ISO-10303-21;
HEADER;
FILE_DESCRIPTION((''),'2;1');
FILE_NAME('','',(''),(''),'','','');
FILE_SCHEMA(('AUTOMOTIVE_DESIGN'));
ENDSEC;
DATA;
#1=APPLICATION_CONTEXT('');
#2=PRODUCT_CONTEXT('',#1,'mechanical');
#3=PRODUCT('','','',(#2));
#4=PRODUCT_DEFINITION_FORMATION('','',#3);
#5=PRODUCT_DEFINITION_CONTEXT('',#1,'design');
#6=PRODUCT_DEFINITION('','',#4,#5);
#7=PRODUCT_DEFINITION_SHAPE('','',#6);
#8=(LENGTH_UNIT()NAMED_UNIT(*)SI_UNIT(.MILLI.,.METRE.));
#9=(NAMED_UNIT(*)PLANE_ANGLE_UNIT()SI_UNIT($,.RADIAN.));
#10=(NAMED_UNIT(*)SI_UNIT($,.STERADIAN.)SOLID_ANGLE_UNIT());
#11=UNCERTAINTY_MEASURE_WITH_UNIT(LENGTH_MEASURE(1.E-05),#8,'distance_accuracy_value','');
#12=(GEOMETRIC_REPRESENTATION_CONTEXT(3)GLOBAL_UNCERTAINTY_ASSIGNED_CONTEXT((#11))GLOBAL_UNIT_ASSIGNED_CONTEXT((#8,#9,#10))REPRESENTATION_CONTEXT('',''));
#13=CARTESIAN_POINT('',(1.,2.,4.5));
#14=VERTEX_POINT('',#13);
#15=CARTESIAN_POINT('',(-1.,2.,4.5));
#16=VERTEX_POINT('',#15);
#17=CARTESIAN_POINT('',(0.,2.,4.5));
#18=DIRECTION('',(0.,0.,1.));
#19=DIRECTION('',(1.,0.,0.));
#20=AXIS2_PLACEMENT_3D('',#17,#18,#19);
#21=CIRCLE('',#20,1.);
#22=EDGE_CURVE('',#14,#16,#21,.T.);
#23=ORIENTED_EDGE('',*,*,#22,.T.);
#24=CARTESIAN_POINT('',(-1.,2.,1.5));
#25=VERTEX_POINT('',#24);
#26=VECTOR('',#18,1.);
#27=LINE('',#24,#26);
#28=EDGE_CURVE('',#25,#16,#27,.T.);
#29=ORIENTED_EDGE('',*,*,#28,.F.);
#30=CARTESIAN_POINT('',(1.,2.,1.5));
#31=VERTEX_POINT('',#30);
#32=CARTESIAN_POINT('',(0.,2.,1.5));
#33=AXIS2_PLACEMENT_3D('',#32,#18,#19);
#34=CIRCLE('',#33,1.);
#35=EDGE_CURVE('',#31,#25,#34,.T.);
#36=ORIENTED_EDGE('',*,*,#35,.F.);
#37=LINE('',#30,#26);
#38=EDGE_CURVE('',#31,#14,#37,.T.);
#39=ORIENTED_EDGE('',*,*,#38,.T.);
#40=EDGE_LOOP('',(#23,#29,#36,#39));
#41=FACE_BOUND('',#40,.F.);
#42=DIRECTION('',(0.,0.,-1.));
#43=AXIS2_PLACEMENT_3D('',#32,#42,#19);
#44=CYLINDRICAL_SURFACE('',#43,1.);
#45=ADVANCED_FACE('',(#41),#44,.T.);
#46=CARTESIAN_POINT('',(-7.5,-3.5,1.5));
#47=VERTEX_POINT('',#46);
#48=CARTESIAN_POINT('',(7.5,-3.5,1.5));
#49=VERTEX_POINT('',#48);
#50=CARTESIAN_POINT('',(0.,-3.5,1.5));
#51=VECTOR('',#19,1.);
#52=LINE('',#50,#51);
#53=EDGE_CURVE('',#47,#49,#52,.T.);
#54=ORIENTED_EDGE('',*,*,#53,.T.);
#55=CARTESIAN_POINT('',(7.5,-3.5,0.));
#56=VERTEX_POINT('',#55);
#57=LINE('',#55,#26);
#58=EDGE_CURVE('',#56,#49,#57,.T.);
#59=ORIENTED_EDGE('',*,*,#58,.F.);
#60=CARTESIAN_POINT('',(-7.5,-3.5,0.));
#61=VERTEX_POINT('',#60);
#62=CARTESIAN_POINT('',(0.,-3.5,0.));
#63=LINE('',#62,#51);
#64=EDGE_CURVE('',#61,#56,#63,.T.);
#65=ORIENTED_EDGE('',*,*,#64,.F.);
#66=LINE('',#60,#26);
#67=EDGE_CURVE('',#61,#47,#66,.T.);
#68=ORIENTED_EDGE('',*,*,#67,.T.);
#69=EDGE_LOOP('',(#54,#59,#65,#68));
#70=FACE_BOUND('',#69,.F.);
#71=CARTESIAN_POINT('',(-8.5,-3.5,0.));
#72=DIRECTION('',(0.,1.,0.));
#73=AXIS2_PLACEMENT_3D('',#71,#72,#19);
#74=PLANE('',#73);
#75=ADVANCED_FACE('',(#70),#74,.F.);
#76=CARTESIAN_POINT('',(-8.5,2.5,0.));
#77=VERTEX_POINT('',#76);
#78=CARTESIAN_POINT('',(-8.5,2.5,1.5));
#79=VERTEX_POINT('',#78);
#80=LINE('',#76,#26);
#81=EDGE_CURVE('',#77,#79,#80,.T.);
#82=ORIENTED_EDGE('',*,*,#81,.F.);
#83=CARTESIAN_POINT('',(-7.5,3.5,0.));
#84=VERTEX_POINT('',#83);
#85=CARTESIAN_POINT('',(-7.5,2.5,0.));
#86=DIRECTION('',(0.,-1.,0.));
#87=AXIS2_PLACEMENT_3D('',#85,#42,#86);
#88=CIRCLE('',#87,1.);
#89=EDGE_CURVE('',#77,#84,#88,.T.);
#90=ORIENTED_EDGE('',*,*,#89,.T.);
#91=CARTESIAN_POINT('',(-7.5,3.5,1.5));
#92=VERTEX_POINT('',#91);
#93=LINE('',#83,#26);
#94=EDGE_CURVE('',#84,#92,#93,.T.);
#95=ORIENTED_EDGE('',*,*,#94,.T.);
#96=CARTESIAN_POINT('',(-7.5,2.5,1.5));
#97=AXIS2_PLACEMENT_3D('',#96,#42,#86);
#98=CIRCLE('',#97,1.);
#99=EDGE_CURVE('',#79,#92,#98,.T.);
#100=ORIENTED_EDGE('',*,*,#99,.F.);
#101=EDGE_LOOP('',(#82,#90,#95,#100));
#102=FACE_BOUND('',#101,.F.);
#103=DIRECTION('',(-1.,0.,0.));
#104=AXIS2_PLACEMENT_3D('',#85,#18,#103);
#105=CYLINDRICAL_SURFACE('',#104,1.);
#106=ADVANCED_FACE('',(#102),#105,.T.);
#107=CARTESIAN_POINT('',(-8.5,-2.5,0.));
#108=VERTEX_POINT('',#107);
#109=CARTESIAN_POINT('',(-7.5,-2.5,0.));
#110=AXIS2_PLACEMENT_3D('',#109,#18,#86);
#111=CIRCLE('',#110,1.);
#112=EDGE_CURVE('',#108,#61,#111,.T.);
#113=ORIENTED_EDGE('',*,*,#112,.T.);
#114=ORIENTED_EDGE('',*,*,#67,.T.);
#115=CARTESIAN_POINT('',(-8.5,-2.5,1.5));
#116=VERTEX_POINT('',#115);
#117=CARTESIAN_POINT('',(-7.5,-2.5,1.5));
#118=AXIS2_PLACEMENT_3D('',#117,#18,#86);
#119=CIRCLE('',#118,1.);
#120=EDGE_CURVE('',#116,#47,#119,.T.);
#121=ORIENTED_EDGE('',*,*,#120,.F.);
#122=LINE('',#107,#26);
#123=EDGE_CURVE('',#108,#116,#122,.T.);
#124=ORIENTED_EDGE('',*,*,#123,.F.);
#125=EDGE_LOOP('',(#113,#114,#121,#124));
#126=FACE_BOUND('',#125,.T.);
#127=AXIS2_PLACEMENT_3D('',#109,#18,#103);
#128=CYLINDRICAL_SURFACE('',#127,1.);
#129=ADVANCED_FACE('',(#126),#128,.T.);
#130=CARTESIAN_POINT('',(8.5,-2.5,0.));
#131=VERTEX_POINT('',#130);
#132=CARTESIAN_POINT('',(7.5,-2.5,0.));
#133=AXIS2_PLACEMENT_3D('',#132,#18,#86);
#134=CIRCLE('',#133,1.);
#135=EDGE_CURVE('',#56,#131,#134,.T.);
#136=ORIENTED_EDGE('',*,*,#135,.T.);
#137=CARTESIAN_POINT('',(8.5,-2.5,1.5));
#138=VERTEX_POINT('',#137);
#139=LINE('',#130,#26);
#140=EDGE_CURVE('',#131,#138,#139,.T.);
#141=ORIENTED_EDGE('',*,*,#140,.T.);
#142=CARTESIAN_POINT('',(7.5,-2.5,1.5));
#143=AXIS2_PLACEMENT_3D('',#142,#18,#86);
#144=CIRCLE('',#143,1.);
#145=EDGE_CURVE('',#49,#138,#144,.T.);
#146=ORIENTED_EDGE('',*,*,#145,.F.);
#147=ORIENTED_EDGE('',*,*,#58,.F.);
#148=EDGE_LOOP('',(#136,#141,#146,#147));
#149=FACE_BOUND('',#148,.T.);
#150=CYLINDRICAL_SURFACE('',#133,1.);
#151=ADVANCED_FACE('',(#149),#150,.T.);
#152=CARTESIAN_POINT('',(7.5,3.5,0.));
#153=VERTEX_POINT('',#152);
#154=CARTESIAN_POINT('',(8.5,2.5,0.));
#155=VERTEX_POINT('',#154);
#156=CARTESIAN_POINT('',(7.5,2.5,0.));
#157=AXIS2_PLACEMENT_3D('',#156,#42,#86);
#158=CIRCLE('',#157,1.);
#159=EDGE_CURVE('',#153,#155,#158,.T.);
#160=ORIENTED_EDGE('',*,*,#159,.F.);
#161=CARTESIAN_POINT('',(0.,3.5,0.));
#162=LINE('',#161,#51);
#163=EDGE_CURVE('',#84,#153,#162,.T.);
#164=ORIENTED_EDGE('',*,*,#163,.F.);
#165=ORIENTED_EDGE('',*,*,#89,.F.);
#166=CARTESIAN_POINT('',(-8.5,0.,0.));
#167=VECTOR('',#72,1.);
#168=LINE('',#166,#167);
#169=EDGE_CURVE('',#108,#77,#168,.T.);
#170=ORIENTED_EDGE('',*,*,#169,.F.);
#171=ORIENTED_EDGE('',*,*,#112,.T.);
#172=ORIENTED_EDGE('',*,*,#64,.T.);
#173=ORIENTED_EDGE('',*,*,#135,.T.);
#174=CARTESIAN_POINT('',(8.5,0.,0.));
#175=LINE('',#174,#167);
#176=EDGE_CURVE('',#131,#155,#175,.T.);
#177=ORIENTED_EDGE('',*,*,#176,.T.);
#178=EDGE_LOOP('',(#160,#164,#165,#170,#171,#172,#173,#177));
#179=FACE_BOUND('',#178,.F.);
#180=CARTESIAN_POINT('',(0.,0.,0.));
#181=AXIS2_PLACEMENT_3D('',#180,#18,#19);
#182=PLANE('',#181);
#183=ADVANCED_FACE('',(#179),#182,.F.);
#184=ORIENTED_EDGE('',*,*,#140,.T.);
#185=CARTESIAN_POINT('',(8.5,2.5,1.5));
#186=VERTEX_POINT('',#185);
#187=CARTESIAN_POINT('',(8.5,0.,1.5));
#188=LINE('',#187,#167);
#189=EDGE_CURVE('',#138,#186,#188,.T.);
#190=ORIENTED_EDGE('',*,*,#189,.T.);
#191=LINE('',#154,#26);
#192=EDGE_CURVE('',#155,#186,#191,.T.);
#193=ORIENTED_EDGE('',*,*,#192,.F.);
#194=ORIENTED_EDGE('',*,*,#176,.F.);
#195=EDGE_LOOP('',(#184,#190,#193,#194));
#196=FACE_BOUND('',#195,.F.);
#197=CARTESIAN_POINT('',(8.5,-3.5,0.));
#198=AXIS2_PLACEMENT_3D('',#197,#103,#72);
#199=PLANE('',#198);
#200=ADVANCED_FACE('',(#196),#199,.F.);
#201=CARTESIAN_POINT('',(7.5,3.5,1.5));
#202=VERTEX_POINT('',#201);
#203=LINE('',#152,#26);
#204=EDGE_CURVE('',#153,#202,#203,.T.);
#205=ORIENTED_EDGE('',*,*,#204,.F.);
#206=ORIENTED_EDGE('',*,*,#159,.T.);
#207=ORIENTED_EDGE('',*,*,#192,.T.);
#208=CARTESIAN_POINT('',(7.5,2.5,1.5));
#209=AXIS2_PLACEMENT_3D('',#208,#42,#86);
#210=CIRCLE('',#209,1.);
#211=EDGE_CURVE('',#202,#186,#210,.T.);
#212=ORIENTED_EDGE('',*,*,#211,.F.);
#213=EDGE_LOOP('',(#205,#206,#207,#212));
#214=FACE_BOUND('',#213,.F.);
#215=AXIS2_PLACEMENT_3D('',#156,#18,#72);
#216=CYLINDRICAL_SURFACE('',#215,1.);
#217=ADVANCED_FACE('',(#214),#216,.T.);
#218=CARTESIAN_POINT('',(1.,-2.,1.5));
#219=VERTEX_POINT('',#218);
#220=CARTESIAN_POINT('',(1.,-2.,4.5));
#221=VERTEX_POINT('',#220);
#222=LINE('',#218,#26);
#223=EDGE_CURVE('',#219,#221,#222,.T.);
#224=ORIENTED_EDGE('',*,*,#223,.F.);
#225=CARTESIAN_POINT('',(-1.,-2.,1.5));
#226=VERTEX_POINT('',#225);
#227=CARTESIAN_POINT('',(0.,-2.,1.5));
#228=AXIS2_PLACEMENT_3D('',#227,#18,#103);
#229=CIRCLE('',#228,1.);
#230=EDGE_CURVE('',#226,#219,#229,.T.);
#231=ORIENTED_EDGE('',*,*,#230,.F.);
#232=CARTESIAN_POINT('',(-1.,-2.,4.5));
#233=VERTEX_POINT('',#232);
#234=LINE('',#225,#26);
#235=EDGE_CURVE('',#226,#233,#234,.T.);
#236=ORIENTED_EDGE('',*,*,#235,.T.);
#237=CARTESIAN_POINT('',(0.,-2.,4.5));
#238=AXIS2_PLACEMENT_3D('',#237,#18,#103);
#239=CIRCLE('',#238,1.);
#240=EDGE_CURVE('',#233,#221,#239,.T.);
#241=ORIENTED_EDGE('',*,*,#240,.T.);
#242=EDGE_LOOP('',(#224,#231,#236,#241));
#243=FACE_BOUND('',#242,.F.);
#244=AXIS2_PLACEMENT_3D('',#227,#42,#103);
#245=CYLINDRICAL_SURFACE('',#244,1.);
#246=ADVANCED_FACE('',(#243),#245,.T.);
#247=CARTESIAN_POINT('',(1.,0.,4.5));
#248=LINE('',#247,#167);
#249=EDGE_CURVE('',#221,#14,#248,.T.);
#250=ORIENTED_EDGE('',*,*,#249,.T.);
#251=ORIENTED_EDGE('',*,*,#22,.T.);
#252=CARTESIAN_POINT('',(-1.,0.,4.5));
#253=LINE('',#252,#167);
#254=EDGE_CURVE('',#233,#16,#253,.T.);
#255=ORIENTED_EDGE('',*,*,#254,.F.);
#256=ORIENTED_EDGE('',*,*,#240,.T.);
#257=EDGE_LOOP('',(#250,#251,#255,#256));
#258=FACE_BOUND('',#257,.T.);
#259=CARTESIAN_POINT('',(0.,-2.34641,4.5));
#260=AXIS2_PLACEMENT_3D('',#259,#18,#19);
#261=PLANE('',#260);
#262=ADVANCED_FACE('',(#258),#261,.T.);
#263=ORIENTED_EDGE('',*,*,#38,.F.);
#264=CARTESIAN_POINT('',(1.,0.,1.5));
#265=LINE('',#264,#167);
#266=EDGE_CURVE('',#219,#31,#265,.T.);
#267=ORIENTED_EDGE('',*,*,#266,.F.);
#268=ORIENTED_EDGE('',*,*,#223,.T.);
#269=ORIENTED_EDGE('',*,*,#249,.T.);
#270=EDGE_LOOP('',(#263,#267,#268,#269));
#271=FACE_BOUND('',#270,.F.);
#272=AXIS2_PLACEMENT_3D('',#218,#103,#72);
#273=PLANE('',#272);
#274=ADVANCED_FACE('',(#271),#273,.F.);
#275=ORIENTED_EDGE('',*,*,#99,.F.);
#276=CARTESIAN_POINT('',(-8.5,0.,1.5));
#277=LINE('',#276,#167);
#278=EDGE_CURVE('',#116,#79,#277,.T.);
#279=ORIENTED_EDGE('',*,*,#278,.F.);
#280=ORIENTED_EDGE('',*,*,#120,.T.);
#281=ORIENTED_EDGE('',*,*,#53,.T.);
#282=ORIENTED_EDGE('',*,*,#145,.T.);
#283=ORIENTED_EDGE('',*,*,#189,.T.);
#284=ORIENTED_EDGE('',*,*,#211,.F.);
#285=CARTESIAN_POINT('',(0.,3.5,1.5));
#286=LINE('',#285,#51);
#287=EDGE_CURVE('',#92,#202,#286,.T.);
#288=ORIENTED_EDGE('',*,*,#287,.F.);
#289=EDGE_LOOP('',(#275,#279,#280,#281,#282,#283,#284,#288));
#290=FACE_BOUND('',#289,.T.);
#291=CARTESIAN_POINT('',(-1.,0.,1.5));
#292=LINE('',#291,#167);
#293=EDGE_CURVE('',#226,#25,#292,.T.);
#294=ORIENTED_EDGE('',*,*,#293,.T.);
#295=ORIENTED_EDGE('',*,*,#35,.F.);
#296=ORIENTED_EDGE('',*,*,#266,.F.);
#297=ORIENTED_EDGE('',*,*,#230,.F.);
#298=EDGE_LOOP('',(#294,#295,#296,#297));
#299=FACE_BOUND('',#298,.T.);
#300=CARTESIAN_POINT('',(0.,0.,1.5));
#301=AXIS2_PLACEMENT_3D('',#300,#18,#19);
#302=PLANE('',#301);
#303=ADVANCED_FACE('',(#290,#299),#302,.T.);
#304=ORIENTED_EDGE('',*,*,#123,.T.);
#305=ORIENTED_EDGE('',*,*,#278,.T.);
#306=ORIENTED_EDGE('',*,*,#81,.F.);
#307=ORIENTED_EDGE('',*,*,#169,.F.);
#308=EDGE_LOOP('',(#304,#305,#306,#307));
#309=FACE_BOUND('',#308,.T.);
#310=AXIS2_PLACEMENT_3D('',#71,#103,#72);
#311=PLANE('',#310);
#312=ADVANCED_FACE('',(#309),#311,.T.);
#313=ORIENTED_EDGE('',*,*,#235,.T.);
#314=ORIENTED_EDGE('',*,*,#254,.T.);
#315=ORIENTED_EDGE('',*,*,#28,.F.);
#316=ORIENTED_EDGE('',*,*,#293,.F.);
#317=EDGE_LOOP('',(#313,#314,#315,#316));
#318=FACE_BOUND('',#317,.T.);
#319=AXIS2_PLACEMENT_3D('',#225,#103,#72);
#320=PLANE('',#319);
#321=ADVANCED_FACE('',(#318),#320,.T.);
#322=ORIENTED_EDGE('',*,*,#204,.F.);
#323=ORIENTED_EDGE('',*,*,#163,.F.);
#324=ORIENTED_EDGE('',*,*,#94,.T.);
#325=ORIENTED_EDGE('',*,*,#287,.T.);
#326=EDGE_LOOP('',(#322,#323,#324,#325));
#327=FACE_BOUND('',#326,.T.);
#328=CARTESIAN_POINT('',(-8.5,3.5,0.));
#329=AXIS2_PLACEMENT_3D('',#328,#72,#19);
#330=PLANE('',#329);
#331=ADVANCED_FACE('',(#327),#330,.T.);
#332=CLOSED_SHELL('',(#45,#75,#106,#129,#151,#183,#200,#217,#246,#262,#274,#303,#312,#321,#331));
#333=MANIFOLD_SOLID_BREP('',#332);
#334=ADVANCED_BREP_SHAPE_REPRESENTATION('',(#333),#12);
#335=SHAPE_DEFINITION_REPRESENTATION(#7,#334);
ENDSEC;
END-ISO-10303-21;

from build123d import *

# Parameters (mm, degrees)
F0_W     = 17
F0_H     = 7
F1_DEPTH = 1.5
F2_W     = 2
F2_H     = 4
F3_DEPTH = 3
F4_R     = 1


with BuildPart() as f1:
    # F0 (on Top) → F1 (new body)
    with BuildSketch(Plane.XY):
        Rectangle(F0_W, F0_H)
    extrude(amount=F1_DEPTH)

    # F2 (on face) → F3 (join)
    with BuildSketch(Plane.XY.offset(1.5)):
        with BuildLine():
            ThreePointArc((-1, -2), (0, -3), (1, -2))
            Line((1, -2), (-1, -2))
        make_face()
        Rectangle(F2_W, F2_H)
        with BuildLine():
            Line((-1, 2), (1, 2))
            ThreePointArc((1, 2), (0, 3), (-1, 2))
        make_face()
    extrude(amount=F3_DEPTH)

    # F4
    f4_edges = [f1.edges().sort_by_distance(p)[0] for p in [
        (-8.5, 3.5, 0.75),
        (-8.5, -3.5, 0.75),
        (8.5, 3.5, 0.75),
        (8.5, -3.5, 0.75),
    ]]
    fillet(f4_edges, radius=F4_R)


solid = f1.part
